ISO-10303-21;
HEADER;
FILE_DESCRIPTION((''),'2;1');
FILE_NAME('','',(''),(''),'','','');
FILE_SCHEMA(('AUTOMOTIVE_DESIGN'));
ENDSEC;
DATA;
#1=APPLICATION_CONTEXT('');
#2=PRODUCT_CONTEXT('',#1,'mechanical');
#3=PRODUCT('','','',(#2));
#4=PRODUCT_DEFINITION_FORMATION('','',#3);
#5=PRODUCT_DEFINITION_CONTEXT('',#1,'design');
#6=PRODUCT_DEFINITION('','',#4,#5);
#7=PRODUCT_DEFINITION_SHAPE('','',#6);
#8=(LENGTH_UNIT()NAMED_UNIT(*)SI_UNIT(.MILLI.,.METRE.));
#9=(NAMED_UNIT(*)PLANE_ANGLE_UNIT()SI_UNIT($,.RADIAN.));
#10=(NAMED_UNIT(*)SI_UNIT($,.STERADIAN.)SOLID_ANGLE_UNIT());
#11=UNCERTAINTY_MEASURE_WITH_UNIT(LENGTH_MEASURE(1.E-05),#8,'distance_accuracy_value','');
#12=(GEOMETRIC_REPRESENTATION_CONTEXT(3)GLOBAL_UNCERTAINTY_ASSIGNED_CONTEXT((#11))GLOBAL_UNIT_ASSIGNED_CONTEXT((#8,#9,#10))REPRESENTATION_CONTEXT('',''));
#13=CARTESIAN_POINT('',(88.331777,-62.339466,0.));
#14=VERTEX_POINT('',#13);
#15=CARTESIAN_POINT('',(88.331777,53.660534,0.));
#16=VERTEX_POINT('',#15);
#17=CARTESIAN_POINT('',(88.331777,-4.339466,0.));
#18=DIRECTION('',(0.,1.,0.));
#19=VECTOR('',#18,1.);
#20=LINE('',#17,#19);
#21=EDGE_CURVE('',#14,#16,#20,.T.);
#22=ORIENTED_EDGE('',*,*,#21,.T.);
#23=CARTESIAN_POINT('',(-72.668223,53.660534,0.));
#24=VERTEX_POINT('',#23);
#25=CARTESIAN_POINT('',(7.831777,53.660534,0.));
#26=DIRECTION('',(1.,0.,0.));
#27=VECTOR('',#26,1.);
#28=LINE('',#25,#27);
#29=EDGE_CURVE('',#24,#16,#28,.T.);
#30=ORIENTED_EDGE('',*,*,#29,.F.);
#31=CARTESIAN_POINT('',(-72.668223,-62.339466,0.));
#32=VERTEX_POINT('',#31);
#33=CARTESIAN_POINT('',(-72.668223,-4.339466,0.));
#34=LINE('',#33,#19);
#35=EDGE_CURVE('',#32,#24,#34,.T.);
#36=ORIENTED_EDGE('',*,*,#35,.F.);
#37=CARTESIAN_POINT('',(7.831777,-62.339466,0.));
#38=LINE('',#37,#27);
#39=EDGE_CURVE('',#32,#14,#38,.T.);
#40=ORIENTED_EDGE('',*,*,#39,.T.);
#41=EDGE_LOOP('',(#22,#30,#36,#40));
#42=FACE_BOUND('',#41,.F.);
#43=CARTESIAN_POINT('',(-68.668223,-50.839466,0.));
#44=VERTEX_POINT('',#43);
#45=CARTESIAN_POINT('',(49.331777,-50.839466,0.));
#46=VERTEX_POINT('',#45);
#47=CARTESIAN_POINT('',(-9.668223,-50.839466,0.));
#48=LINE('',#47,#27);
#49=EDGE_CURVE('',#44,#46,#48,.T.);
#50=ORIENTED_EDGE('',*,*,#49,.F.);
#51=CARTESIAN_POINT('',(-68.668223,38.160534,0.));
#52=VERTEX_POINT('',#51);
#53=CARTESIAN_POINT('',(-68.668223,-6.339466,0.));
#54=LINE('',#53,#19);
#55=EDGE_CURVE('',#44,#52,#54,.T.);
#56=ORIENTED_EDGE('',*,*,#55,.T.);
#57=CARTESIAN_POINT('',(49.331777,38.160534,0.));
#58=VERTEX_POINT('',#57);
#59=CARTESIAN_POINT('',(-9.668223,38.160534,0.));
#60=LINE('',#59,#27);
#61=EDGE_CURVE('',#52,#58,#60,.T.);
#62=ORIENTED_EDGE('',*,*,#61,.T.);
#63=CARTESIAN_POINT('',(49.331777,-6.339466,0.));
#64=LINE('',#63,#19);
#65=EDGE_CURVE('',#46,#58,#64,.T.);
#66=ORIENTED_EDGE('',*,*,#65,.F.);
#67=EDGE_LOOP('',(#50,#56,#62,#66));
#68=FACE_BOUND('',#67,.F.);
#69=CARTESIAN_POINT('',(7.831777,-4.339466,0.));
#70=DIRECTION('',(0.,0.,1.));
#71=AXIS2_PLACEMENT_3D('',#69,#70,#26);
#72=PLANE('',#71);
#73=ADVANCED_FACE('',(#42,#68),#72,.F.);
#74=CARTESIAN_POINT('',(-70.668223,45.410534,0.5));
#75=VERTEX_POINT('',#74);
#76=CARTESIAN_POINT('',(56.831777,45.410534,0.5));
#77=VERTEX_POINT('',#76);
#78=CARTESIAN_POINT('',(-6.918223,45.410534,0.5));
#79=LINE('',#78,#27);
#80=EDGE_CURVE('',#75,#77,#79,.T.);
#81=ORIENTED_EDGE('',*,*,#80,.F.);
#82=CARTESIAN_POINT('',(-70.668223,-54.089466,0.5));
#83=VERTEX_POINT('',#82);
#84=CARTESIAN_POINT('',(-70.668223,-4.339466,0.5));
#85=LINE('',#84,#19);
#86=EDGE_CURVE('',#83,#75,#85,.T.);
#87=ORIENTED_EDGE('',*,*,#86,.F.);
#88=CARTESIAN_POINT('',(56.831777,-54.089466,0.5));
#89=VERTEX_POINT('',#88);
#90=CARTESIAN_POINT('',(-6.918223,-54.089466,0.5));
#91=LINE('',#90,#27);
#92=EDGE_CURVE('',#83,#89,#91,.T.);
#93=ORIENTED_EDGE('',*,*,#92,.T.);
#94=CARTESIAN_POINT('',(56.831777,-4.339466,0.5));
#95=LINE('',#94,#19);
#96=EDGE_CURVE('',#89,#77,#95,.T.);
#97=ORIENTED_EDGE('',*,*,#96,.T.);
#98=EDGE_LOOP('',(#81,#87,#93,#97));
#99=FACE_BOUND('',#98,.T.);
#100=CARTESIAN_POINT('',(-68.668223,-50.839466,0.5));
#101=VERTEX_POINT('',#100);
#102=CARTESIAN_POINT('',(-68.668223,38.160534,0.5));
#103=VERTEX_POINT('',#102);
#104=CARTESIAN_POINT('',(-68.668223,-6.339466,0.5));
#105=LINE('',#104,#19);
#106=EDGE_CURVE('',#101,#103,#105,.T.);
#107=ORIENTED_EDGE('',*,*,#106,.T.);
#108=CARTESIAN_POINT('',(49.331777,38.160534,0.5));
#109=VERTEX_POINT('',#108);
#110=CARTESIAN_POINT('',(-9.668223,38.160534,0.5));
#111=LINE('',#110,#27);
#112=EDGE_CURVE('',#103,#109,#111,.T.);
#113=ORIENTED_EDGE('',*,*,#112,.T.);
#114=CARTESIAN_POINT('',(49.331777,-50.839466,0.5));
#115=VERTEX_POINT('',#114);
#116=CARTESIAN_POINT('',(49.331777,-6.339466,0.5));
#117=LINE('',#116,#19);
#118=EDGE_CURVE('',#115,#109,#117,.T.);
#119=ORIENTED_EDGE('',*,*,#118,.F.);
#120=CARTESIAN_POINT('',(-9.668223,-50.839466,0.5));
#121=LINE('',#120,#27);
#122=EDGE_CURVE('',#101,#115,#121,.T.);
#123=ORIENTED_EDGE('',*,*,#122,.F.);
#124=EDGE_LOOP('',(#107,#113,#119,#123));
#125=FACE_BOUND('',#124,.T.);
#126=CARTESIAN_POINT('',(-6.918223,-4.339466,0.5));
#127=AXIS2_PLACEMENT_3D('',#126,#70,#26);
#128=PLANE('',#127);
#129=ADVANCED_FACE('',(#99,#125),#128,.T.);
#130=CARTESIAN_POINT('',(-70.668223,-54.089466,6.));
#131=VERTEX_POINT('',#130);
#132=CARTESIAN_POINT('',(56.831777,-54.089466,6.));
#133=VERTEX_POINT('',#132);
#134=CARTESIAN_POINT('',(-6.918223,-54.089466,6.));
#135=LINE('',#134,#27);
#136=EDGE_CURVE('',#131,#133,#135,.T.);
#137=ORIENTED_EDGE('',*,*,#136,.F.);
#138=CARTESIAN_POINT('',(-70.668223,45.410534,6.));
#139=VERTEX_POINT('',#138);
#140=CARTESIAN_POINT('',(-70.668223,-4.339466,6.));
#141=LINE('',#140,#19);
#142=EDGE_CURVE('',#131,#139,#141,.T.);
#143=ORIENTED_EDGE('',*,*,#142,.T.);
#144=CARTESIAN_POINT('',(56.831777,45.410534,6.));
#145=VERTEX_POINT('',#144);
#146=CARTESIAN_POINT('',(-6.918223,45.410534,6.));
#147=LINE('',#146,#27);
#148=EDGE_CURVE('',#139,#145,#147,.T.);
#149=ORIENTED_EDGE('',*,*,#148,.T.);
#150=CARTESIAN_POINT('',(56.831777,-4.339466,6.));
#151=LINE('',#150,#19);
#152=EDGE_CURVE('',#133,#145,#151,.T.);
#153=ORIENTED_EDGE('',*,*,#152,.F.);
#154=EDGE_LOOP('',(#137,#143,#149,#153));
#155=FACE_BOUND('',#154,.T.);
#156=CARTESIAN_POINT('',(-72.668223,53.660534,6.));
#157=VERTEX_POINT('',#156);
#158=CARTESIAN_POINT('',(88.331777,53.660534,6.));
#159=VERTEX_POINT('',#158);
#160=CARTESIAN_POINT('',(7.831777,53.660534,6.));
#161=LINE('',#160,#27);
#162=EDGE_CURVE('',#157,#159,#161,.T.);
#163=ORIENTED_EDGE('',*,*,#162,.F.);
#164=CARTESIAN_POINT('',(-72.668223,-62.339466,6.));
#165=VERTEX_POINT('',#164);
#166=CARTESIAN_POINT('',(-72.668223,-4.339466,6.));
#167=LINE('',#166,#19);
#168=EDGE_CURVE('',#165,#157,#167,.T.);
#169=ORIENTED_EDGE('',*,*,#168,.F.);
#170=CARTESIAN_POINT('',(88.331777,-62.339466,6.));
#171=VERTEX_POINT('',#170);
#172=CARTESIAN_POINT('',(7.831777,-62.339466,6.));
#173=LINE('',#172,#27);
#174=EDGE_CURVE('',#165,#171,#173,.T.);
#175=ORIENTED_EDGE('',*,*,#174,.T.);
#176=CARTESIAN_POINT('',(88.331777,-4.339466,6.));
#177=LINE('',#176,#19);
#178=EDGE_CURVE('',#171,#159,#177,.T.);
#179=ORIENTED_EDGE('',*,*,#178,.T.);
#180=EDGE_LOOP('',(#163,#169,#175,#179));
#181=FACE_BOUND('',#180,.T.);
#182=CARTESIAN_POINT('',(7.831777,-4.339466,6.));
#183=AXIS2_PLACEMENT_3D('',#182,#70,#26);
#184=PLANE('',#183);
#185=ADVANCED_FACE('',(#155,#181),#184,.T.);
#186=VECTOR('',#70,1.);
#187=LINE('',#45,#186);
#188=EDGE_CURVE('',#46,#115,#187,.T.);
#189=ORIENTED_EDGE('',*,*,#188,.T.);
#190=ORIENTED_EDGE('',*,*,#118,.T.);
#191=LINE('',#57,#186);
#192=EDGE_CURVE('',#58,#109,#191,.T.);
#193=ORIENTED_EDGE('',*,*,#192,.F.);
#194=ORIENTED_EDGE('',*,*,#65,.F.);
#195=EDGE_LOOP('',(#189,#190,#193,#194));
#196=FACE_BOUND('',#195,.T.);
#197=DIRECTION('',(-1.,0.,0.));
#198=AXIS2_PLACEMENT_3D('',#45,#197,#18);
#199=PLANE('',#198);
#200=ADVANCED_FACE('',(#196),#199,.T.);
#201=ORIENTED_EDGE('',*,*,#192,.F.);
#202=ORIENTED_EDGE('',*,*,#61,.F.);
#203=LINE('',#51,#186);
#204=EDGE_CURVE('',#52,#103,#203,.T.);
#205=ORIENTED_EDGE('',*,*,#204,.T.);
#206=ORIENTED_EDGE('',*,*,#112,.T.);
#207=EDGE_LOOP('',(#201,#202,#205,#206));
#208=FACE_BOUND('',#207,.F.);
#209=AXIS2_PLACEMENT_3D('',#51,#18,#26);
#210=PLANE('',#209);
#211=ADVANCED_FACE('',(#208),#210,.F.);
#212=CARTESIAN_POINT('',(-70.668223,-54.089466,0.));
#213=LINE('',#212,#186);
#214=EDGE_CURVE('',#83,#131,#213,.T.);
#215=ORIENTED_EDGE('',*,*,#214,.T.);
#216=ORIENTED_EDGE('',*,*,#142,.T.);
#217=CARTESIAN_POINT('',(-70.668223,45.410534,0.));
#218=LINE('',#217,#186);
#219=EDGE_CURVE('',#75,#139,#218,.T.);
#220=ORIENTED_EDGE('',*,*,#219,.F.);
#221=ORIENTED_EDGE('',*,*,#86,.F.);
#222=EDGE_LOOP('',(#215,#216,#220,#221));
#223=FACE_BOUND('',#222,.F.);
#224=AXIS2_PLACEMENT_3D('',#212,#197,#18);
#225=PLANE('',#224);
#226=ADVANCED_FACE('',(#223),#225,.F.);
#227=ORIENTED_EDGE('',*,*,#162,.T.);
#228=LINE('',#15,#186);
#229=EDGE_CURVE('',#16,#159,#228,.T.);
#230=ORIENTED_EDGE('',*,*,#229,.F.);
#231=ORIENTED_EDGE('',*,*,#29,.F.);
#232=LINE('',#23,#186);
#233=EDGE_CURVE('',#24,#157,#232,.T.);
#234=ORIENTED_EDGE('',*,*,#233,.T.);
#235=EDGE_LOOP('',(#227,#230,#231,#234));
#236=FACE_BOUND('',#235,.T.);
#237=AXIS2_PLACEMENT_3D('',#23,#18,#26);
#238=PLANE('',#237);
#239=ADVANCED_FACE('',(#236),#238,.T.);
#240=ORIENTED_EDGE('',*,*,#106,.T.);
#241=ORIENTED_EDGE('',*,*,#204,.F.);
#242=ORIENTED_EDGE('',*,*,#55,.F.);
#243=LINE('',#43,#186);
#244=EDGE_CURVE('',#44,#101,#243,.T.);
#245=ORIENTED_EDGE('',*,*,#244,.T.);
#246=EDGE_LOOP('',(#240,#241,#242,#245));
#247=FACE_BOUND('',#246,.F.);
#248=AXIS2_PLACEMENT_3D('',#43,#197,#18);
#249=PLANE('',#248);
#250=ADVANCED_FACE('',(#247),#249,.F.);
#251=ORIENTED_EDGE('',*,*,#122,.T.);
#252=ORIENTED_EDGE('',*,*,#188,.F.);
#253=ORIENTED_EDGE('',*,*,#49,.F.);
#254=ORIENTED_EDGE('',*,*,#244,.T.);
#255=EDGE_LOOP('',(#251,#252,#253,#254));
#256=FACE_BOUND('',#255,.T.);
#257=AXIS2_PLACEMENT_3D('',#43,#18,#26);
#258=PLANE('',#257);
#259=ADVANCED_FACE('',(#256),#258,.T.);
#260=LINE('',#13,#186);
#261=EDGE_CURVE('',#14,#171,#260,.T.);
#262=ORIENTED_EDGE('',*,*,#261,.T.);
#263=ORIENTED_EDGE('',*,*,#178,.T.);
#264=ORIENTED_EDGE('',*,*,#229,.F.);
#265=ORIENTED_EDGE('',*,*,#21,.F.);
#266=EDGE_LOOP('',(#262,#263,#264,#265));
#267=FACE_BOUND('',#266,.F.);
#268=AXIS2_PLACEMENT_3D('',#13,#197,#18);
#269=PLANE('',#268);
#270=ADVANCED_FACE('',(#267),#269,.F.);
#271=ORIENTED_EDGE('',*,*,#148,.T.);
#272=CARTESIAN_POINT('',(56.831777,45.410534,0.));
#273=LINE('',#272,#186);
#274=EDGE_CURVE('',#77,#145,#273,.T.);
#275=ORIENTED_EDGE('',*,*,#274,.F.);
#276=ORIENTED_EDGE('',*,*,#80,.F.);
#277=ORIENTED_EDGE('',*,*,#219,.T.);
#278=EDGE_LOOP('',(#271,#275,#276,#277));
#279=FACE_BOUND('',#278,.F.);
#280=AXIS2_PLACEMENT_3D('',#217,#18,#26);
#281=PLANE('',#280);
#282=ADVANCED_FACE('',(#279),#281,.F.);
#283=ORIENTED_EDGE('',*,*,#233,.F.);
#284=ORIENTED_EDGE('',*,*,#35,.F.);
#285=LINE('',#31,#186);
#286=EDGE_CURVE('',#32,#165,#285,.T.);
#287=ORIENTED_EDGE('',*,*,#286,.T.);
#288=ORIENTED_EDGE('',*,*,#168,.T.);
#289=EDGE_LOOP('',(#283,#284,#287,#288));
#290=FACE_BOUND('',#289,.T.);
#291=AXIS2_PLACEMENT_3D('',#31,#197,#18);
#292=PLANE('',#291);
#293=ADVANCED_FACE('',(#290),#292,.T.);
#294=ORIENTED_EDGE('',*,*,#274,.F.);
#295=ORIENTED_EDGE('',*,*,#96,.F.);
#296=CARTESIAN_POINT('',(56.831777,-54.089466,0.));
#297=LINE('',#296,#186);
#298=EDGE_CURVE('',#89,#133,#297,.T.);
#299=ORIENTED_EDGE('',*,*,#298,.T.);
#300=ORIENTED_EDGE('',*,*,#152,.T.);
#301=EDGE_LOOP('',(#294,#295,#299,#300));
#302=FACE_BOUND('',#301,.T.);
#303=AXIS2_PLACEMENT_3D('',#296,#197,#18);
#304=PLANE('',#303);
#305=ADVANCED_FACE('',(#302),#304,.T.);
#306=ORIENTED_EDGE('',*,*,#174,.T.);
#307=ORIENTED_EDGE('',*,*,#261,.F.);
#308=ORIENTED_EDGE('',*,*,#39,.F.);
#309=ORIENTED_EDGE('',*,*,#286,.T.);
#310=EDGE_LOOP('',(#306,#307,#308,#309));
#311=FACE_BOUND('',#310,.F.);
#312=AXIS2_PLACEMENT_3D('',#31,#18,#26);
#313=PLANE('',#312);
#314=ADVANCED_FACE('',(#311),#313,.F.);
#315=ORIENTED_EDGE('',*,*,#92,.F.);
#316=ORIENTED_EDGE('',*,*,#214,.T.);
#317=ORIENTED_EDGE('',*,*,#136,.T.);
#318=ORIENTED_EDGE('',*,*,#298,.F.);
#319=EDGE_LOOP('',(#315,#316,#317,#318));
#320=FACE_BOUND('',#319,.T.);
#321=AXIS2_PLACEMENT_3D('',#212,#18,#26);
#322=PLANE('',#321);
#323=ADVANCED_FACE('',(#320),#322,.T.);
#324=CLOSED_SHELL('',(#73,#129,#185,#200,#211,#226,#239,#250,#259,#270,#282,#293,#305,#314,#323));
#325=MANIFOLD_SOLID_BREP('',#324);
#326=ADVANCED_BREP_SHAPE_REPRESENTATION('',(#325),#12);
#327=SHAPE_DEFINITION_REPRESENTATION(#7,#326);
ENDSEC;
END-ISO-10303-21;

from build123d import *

# Parameters (mm, degrees)
F0_W     = 127.5
F0_H     = 99.5
F0_W_2   = 118
F0_H_2   = 89
F1_DEPTH = 0.5
F0_W_3   = 161
F0_H_3   = 116
F2_DEPTH = 6


with BuildPart() as f1:
    # F0 (on Top) → F1 (new body)
    with BuildSketch(Plane.XY):
        with Locations((-6.918223, -4.339466)):
            Rectangle(F0_W, F0_H)
        with Locations((-9.668223, -6.339466)):
            Rectangle(F0_W_2, F0_H_2, mode=Mode.SUBTRACT)
    extrude(amount=F1_DEPTH)

    # F0 (on Top) → F2 (join)
    with BuildSketch(Plane.XY):
        with Locations((7.831777, -4.339466)):
            Rectangle(F0_W_3, F0_H_3)
        with Locations((-6.918223, -4.339466)):
            Rectangle(F0_W, F0_H, mode=Mode.SUBTRACT)
    extrude(amount=F2_DEPTH)


solid = f1.part
